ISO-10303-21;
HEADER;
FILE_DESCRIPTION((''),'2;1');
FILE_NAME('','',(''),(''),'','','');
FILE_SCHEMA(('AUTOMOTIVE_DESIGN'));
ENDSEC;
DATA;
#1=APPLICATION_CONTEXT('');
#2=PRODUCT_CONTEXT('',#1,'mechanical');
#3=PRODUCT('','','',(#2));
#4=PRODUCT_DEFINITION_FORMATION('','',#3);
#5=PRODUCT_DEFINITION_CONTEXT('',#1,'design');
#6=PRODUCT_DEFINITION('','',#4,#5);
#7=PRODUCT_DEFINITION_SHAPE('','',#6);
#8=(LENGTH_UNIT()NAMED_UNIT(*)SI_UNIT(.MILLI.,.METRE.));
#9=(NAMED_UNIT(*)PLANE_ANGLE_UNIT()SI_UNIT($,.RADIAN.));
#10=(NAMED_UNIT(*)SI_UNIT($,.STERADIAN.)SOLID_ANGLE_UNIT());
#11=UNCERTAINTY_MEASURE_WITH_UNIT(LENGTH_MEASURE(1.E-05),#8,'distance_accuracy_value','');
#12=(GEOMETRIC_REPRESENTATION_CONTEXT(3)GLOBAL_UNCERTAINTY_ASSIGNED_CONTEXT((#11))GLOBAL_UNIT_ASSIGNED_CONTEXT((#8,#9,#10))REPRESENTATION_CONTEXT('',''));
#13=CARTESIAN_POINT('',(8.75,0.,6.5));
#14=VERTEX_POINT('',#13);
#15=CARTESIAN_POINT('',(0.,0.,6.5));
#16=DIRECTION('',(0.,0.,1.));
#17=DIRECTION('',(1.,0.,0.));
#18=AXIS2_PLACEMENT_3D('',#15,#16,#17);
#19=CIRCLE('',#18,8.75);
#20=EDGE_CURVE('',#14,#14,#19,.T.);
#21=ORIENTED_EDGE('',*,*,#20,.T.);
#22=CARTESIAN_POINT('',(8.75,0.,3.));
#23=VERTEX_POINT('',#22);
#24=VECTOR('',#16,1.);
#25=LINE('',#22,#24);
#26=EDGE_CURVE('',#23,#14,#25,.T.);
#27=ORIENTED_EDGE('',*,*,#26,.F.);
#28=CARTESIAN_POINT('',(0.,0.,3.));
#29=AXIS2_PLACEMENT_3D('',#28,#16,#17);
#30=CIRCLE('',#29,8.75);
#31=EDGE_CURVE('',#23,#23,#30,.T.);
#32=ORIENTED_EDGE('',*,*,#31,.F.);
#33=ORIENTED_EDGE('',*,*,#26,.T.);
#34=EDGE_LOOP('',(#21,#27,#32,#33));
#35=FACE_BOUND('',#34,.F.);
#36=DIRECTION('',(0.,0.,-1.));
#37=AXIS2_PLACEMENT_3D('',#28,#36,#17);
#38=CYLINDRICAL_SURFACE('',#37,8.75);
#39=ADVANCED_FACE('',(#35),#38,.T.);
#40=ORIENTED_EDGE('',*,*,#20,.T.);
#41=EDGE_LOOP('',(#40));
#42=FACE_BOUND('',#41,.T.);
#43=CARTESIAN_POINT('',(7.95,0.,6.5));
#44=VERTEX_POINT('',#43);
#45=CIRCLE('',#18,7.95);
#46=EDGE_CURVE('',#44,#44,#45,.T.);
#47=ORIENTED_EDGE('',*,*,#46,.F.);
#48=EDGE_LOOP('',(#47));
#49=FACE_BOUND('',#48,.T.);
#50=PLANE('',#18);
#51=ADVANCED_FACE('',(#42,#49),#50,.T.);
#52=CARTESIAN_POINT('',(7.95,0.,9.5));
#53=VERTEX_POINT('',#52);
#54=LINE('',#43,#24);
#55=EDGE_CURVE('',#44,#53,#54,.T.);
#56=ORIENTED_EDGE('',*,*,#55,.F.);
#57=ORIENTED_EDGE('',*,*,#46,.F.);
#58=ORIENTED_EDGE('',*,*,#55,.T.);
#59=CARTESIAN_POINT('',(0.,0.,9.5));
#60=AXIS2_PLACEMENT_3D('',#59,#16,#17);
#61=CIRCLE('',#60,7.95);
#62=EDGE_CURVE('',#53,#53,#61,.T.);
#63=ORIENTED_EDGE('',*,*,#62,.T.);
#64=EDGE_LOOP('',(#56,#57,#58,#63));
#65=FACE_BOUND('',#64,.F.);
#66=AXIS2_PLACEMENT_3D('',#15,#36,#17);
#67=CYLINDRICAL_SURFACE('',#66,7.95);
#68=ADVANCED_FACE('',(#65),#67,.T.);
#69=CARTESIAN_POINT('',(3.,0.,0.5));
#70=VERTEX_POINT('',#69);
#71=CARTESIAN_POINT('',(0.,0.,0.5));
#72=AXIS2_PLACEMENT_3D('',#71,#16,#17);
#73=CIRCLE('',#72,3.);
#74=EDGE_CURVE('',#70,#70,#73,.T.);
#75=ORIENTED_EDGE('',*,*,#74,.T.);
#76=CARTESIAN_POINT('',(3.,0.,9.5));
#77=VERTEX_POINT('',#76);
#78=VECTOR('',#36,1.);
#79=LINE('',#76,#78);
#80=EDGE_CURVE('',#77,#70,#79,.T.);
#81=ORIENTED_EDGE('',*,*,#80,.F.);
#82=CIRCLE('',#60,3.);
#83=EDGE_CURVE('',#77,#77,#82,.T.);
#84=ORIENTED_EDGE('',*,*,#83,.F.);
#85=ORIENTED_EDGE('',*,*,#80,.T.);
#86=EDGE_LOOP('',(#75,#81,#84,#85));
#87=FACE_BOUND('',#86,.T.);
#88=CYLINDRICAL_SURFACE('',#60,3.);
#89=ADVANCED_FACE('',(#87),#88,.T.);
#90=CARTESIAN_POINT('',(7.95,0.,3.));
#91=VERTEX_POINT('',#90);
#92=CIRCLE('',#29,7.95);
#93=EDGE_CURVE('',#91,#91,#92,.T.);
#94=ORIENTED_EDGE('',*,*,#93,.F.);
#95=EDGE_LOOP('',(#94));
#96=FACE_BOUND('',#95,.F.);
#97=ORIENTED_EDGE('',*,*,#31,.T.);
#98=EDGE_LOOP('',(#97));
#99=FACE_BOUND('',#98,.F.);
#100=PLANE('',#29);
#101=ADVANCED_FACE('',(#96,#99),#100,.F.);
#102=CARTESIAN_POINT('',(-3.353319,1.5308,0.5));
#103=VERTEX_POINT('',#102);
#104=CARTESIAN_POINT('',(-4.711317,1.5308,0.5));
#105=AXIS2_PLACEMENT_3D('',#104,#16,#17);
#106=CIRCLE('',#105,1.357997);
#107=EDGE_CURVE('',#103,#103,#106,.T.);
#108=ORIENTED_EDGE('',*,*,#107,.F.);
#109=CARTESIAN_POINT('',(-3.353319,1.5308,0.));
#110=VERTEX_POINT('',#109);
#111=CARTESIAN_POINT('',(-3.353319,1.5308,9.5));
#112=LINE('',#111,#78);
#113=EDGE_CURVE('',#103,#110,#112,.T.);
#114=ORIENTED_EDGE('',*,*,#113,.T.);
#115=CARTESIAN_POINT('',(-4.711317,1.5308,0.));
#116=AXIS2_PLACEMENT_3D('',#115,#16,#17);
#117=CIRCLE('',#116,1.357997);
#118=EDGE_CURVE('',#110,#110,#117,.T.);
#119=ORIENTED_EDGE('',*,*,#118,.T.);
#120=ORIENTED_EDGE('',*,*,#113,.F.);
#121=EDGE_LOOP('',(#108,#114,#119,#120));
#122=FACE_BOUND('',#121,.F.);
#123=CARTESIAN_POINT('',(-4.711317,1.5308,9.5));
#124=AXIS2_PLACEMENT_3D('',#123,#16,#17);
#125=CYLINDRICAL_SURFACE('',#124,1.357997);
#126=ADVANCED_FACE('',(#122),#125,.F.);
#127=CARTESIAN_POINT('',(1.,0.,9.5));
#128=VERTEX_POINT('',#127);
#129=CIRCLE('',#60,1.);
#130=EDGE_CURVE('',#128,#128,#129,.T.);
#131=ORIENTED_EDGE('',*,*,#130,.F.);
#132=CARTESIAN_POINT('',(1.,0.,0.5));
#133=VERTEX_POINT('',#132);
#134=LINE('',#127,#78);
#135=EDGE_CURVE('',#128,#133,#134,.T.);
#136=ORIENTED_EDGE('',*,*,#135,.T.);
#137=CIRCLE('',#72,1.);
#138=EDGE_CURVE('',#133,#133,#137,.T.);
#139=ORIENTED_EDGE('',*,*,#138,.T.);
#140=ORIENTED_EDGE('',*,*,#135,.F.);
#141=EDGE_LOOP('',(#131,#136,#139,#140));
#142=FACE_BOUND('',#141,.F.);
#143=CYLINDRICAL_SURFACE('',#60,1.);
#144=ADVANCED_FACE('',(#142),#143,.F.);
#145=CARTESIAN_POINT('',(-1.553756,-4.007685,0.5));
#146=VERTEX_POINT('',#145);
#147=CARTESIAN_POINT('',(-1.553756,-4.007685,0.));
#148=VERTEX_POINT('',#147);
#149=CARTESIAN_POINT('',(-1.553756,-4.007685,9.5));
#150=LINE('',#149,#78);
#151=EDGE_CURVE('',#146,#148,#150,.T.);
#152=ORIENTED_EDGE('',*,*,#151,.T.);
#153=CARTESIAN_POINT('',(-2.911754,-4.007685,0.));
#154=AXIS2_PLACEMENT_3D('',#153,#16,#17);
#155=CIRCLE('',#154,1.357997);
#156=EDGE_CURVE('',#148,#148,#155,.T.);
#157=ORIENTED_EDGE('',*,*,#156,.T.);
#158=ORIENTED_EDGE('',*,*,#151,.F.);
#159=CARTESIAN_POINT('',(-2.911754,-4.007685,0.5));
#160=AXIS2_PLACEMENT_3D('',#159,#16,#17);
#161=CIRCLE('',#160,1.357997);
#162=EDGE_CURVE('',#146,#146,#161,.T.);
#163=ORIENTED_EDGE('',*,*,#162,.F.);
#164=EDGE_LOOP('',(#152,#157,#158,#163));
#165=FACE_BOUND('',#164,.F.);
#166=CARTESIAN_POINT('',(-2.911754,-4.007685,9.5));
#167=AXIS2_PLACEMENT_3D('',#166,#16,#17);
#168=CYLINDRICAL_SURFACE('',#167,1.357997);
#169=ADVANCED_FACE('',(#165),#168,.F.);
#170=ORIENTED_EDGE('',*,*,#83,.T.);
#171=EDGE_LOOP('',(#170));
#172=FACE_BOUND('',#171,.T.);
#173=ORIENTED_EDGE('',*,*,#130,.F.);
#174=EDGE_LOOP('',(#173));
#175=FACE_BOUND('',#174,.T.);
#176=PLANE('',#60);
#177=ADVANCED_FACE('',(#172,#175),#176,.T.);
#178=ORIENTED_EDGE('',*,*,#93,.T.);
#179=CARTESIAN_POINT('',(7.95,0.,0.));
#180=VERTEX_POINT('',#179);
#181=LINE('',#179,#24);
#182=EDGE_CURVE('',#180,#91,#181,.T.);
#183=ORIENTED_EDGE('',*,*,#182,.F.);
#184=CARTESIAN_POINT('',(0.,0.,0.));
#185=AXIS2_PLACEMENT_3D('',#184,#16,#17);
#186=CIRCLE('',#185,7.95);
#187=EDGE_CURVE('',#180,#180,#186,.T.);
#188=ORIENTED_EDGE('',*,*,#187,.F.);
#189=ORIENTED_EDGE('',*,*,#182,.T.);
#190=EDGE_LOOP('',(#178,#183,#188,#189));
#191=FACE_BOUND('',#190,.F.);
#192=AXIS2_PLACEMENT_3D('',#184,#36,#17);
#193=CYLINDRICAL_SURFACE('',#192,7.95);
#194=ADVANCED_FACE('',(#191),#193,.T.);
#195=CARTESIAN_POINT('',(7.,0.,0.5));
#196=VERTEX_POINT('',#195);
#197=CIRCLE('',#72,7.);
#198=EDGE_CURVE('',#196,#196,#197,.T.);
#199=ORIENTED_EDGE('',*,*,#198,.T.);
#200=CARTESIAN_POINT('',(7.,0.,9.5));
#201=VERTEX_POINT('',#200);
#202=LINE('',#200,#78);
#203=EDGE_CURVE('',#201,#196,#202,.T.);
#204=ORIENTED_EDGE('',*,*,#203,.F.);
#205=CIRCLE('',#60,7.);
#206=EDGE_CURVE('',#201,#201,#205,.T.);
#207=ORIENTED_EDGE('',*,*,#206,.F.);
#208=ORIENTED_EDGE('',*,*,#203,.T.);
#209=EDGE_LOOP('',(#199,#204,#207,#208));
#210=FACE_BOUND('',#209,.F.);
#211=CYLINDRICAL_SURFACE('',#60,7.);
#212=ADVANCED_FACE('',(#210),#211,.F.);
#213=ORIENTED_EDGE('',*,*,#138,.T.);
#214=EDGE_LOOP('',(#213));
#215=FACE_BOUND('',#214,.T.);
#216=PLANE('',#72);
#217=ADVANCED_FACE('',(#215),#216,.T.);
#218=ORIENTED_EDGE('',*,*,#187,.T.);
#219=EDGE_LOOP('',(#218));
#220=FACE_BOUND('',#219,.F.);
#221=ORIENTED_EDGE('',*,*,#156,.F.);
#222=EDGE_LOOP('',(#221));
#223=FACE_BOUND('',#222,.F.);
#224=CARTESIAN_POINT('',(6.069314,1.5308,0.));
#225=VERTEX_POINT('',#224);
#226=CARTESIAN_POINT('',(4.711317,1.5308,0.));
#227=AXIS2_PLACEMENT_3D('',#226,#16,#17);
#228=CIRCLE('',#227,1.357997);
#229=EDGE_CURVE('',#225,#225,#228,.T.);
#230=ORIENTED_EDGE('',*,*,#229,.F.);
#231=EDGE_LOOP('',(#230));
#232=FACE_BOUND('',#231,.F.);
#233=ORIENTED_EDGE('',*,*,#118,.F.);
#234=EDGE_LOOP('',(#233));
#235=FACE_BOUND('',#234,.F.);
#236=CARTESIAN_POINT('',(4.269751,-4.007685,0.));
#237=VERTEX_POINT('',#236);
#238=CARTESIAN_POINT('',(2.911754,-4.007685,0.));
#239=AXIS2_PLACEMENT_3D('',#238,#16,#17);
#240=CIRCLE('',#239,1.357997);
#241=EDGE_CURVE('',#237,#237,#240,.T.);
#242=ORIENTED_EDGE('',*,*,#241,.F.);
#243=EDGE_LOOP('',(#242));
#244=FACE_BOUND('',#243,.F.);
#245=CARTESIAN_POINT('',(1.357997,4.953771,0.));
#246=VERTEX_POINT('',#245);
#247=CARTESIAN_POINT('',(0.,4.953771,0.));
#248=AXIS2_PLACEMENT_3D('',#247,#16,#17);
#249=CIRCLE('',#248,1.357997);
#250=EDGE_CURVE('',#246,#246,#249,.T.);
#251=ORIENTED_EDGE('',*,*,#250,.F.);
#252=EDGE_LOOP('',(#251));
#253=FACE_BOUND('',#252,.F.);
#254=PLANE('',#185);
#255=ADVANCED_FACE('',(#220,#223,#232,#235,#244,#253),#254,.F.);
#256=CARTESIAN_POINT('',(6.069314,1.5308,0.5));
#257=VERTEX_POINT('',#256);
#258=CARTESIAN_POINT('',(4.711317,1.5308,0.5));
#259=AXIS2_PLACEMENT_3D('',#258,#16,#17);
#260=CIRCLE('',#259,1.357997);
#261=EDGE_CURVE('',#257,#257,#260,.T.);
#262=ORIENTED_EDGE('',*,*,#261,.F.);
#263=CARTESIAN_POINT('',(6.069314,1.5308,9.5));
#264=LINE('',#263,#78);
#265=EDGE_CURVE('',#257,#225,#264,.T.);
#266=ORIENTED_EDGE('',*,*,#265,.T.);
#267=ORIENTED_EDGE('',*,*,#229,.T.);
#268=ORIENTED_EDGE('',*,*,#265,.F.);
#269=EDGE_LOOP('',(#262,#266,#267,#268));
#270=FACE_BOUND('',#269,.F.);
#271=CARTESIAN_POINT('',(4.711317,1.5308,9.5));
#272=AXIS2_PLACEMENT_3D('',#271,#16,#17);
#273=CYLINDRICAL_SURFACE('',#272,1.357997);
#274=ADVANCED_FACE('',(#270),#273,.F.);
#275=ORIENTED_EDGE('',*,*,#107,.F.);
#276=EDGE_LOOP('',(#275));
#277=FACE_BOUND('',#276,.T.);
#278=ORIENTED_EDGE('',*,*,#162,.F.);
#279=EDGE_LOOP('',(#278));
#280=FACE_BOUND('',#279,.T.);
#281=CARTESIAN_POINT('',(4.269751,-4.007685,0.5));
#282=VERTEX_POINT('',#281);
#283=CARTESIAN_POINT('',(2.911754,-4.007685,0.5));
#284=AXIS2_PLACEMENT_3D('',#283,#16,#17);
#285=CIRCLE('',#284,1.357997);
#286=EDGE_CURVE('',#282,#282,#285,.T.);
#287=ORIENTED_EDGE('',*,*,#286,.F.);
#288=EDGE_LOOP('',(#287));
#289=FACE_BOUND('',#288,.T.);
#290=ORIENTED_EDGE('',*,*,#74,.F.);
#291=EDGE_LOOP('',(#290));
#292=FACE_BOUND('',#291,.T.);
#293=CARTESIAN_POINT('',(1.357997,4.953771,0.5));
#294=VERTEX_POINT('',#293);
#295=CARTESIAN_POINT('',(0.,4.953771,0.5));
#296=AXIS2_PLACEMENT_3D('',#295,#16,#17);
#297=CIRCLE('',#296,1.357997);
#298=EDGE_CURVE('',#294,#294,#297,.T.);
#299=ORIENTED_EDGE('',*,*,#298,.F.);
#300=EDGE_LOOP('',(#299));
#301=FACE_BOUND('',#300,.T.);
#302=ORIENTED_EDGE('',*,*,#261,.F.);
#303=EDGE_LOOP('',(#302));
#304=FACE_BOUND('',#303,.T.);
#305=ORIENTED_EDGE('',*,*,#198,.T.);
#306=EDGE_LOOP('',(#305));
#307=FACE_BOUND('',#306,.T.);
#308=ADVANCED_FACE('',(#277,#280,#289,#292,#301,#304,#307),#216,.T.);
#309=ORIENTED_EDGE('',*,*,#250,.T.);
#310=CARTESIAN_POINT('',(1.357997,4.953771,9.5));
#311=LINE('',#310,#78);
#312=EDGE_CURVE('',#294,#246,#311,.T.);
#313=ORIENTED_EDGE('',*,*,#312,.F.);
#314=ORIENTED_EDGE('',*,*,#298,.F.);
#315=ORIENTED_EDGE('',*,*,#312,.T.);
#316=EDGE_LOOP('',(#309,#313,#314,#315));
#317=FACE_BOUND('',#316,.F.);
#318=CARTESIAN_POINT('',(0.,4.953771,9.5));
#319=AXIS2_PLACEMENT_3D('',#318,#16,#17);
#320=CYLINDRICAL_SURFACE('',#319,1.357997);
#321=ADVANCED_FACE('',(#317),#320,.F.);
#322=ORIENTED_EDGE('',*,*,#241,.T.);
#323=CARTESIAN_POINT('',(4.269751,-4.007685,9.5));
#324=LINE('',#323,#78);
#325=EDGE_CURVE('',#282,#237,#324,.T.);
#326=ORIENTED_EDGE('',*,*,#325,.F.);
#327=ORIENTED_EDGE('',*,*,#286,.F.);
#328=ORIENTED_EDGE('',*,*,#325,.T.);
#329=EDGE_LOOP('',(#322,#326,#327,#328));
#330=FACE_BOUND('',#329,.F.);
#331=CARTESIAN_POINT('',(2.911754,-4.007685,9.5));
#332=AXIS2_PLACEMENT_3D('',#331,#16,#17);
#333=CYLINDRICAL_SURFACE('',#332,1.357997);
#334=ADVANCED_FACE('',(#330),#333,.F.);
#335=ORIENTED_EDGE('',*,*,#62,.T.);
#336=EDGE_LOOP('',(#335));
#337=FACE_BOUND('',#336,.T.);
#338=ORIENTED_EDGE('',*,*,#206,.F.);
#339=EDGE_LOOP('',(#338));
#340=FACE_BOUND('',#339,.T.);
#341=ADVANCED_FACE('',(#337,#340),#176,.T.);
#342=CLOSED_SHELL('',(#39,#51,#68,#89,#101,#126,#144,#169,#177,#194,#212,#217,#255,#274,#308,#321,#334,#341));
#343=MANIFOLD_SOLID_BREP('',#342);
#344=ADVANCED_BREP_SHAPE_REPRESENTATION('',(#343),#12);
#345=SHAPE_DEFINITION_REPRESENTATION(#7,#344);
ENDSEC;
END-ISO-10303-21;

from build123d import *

# Parameters (mm, degrees)
F0_R      = 7.95
F1_DEPTH  = 3
F2_R      = 8.75
F3_DEPTH  = 3.5
F4_R      = 7.95
F5_DEPTH  = 3
F6_R      = 1.3579973099
F9_DEPTH  = 20.4
F8_R      = 7
F8_R_2    = 3
F8_R_3    = 1
F10_DEPTH = 9


with BuildPart() as f1:
    # F0 (on Top) → F1 (new body)
    with BuildSketch(Plane.XY):
        Circle(F0_R)
    extrude(amount=F1_DEPTH)

    # F2 (on face) → F3 (join)
    with BuildSketch(Plane.XY.offset(3)):
        Circle(F2_R)
    extrude(amount=F3_DEPTH)

    # F4 (on face) → F5 (join)
    with BuildSketch(Plane.XY.offset(6.5)):
        Circle(F4_R)
    extrude(amount=F5_DEPTH)

    # F6 (on face) → F9 (cut)
    with BuildSketch(Plane.XY.offset(9.5)):
        with Locations((0, 4.9537713639)):
            Circle(F6_R)
        with Locations((-4.7113165359, 1.5307995377)):
            Circle(F6_R)
        with Locations((-2.911753751, -4.0076852197)):
            Circle(F6_R)
        with Locations((2.911753751, -4.0076852197)):
            Circle(F6_R)
        with Locations((4.7113165359, 1.5307995377)):
            Circle(F6_R)
    extrude(amount=-F9_DEPTH, mode=Mode.SUBTRACT)

    # F8 (on face) → F10 (cut)
    with BuildSketch(Plane.XY.offset(9.5)):
        Circle(F8_R)
        Circle(F8_R_2, mode=Mode.SUBTRACT)
        Circle(F8_R_3)
    extrude(amount=-F10_DEPTH, mode=Mode.SUBTRACT)


solid = f1.part
